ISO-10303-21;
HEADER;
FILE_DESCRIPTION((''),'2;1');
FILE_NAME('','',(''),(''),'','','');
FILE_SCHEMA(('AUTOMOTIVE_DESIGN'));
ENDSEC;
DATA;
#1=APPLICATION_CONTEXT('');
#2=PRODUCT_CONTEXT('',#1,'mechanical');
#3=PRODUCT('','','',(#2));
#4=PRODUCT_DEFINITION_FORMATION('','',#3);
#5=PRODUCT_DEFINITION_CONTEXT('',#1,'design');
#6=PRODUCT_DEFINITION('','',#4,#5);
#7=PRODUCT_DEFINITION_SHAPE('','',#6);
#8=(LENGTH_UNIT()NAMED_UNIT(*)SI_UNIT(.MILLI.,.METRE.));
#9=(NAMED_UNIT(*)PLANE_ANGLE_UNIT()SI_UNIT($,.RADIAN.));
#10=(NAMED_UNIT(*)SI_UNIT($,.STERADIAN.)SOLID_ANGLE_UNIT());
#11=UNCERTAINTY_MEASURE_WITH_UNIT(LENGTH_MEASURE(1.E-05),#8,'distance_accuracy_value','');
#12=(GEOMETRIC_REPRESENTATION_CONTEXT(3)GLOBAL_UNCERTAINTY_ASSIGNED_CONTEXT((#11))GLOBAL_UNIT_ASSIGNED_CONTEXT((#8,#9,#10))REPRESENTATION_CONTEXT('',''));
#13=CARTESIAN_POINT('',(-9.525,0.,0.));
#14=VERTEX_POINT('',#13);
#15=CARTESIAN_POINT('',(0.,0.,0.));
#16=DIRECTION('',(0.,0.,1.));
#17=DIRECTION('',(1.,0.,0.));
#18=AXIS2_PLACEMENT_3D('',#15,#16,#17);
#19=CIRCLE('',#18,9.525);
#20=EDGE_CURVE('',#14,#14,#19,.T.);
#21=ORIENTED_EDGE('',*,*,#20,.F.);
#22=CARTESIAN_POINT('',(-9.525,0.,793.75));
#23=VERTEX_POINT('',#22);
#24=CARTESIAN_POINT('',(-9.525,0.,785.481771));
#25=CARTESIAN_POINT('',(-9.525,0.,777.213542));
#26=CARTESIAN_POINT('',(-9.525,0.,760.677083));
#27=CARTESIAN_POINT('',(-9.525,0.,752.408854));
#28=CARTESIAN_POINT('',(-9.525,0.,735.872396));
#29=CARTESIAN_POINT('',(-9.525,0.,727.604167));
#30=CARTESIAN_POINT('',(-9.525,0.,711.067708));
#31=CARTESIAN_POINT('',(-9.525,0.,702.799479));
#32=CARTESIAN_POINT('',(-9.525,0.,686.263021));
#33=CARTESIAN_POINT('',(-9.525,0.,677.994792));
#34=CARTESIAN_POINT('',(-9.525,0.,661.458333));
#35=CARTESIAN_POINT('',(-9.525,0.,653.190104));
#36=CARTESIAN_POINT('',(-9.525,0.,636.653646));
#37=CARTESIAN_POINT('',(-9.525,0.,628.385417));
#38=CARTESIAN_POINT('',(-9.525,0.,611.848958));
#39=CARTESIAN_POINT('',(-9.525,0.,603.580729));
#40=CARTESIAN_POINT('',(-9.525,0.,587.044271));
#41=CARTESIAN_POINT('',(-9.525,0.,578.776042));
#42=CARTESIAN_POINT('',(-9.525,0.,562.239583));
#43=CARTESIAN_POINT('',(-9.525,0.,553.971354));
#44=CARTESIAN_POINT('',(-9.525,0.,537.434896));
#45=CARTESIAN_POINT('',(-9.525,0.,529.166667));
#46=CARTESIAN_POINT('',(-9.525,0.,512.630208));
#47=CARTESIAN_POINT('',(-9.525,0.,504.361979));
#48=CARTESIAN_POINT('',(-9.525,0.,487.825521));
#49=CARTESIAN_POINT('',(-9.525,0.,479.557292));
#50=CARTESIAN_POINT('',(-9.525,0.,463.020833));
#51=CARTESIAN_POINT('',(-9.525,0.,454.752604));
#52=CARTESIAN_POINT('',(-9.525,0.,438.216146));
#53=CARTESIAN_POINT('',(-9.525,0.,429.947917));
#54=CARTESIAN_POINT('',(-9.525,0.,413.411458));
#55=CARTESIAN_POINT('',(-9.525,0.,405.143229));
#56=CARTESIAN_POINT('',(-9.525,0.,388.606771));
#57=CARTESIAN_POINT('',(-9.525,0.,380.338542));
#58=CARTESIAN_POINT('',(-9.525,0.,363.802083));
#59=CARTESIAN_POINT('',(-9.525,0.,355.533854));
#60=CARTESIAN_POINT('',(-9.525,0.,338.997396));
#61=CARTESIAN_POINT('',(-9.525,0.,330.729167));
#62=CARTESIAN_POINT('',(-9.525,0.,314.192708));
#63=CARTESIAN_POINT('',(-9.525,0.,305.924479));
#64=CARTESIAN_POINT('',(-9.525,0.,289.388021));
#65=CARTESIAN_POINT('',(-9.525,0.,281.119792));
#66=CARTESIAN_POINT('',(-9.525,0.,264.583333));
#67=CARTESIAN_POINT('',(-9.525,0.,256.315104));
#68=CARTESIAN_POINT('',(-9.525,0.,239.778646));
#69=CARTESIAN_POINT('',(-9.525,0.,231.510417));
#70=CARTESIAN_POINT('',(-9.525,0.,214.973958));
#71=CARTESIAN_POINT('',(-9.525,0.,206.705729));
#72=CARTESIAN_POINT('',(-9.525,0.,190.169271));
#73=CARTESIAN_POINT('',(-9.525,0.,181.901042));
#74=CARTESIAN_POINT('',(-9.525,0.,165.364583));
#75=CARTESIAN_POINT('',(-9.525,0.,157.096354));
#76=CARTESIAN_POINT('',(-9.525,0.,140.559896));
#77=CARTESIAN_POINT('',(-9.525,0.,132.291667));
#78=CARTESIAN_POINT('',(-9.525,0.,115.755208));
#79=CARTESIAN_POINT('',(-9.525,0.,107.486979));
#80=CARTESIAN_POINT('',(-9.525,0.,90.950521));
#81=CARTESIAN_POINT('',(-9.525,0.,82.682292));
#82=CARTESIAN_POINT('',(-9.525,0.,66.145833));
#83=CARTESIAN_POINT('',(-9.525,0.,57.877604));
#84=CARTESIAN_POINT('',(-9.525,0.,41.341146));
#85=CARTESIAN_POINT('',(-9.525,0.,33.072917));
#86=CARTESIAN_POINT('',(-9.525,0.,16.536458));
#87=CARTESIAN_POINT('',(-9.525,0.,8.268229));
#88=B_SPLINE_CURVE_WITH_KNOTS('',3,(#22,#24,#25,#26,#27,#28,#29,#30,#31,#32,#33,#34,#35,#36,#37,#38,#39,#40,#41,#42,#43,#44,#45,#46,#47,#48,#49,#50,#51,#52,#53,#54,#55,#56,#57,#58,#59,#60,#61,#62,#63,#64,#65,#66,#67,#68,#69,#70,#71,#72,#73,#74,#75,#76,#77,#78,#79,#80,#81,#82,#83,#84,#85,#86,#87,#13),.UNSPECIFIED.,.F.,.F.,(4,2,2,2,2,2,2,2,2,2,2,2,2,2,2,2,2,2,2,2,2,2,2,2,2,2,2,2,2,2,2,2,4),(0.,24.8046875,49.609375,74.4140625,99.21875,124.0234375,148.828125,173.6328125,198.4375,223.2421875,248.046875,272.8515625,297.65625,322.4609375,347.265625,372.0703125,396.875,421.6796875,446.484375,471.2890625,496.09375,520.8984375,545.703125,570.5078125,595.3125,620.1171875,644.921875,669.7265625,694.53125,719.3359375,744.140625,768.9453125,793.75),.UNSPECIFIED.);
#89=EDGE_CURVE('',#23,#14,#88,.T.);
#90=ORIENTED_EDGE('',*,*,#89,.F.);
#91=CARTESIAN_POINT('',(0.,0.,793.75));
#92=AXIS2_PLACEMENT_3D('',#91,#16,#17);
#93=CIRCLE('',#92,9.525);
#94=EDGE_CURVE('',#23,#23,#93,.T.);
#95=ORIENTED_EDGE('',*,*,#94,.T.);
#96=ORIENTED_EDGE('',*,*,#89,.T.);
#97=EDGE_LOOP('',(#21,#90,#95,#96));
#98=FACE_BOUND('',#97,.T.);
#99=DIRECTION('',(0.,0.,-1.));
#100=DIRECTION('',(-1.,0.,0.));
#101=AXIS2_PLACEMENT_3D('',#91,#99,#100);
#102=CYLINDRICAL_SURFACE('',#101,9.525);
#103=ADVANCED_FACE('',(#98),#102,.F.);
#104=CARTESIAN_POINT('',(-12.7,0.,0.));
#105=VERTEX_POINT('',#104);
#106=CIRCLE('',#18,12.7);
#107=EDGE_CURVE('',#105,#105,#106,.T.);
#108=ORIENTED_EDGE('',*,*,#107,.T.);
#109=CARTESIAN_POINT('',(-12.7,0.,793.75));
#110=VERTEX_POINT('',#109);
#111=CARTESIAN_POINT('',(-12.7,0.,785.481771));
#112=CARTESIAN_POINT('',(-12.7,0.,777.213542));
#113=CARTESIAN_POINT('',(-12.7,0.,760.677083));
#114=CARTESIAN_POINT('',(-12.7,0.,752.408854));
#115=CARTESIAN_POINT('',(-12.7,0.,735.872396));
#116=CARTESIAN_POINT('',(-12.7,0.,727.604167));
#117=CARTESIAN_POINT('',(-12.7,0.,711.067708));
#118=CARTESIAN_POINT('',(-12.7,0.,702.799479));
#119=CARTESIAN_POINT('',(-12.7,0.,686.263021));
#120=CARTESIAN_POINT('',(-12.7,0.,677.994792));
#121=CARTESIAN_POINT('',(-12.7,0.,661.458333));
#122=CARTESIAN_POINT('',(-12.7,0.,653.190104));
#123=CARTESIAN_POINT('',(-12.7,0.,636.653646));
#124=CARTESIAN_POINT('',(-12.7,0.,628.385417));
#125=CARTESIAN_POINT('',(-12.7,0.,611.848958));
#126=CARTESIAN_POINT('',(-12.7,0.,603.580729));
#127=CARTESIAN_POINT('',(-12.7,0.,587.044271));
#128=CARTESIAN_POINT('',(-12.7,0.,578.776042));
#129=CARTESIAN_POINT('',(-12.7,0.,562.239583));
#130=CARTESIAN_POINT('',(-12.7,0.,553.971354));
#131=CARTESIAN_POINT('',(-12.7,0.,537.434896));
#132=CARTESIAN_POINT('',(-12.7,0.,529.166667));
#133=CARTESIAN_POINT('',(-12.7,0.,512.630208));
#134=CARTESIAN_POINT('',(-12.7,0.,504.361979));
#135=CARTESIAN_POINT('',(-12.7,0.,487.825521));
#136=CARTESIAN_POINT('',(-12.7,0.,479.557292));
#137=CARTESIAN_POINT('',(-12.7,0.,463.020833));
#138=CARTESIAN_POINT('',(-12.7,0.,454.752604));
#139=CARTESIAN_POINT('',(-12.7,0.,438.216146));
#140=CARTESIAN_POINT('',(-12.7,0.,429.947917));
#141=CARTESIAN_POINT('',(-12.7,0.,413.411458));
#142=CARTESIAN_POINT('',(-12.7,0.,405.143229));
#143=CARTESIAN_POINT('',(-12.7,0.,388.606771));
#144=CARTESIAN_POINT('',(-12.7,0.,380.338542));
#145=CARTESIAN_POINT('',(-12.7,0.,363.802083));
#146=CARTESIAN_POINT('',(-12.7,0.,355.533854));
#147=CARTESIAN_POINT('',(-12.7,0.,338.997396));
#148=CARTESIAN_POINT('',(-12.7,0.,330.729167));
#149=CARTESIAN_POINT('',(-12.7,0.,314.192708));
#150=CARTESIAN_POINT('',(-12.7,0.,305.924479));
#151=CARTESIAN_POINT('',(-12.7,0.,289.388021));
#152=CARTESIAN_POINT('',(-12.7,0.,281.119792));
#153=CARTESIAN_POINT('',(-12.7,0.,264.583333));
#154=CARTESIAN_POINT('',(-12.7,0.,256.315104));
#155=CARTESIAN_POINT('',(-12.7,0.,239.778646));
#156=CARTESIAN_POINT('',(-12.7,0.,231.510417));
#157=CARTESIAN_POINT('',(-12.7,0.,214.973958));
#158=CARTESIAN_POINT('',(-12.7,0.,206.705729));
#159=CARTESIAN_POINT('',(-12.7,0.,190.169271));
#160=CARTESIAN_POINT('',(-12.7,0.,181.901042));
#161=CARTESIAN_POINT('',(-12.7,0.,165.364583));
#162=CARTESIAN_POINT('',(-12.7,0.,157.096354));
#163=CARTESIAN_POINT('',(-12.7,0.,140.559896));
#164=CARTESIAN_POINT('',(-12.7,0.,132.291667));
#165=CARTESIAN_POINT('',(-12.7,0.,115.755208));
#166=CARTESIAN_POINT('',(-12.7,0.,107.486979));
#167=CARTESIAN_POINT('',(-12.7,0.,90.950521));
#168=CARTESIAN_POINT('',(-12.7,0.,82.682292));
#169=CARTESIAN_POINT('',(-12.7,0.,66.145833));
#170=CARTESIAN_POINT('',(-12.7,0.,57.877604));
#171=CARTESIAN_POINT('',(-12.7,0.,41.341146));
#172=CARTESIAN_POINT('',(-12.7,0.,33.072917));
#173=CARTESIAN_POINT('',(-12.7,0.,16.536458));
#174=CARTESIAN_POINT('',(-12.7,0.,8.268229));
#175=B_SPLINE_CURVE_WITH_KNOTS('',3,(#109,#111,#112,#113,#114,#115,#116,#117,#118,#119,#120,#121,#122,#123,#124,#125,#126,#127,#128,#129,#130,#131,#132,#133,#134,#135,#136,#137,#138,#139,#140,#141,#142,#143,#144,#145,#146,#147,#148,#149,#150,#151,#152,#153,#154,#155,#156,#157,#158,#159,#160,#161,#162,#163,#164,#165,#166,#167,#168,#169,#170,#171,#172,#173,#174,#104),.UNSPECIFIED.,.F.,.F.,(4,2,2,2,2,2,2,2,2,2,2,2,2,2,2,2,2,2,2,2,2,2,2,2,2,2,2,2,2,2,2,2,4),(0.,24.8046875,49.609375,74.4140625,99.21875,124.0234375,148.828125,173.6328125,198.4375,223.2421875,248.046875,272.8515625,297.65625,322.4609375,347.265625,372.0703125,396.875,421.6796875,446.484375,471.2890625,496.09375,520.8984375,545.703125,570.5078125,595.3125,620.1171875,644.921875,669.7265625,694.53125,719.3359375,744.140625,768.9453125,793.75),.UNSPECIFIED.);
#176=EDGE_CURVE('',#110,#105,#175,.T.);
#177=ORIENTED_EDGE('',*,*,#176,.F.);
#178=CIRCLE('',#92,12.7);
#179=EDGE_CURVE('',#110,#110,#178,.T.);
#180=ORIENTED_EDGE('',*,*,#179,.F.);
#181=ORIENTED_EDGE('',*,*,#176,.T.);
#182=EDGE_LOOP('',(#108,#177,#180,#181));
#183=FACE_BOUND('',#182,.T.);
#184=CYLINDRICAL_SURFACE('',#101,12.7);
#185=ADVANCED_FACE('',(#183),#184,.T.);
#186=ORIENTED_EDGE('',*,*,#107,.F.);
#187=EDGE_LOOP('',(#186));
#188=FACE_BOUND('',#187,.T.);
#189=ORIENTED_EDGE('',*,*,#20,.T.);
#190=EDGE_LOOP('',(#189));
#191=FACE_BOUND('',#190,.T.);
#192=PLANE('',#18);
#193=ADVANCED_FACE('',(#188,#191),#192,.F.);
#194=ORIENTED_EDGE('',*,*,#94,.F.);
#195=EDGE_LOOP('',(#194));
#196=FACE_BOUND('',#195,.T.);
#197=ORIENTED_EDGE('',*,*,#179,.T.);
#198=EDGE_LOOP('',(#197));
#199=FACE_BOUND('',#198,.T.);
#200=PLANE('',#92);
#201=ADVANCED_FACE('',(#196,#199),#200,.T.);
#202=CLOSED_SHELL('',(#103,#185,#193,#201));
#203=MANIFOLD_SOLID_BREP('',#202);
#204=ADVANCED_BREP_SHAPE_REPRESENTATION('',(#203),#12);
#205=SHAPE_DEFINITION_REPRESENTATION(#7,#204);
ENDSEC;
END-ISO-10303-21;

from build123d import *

# Parameters (mm, degrees)
SKETCH1_R           = 12.7
BOSS_EXTRUDE1_DEPTH = 793.75
SHELL1_T            = -3.175


with BuildPart() as part:
    # Sketch1 → Boss-Extrude1 (new body)
    with BuildSketch(Plane.XY):
        with Locations(Location((0, 0, 0), (0, 0, 180))):
            Circle(SKETCH1_R)
    extrude(amount=BOSS_EXTRUDE1_DEPTH)

    # Shell1
    shell1_openings = [part.faces().sort_by_distance(p)[0] for p in [
        (0, 0, 793.75),
        (0, 0, 0),
    ]]
    offset(amount=SHELL1_T, openings=shell1_openings, kind=Kind.INTERSECTION)


solid = part.part
